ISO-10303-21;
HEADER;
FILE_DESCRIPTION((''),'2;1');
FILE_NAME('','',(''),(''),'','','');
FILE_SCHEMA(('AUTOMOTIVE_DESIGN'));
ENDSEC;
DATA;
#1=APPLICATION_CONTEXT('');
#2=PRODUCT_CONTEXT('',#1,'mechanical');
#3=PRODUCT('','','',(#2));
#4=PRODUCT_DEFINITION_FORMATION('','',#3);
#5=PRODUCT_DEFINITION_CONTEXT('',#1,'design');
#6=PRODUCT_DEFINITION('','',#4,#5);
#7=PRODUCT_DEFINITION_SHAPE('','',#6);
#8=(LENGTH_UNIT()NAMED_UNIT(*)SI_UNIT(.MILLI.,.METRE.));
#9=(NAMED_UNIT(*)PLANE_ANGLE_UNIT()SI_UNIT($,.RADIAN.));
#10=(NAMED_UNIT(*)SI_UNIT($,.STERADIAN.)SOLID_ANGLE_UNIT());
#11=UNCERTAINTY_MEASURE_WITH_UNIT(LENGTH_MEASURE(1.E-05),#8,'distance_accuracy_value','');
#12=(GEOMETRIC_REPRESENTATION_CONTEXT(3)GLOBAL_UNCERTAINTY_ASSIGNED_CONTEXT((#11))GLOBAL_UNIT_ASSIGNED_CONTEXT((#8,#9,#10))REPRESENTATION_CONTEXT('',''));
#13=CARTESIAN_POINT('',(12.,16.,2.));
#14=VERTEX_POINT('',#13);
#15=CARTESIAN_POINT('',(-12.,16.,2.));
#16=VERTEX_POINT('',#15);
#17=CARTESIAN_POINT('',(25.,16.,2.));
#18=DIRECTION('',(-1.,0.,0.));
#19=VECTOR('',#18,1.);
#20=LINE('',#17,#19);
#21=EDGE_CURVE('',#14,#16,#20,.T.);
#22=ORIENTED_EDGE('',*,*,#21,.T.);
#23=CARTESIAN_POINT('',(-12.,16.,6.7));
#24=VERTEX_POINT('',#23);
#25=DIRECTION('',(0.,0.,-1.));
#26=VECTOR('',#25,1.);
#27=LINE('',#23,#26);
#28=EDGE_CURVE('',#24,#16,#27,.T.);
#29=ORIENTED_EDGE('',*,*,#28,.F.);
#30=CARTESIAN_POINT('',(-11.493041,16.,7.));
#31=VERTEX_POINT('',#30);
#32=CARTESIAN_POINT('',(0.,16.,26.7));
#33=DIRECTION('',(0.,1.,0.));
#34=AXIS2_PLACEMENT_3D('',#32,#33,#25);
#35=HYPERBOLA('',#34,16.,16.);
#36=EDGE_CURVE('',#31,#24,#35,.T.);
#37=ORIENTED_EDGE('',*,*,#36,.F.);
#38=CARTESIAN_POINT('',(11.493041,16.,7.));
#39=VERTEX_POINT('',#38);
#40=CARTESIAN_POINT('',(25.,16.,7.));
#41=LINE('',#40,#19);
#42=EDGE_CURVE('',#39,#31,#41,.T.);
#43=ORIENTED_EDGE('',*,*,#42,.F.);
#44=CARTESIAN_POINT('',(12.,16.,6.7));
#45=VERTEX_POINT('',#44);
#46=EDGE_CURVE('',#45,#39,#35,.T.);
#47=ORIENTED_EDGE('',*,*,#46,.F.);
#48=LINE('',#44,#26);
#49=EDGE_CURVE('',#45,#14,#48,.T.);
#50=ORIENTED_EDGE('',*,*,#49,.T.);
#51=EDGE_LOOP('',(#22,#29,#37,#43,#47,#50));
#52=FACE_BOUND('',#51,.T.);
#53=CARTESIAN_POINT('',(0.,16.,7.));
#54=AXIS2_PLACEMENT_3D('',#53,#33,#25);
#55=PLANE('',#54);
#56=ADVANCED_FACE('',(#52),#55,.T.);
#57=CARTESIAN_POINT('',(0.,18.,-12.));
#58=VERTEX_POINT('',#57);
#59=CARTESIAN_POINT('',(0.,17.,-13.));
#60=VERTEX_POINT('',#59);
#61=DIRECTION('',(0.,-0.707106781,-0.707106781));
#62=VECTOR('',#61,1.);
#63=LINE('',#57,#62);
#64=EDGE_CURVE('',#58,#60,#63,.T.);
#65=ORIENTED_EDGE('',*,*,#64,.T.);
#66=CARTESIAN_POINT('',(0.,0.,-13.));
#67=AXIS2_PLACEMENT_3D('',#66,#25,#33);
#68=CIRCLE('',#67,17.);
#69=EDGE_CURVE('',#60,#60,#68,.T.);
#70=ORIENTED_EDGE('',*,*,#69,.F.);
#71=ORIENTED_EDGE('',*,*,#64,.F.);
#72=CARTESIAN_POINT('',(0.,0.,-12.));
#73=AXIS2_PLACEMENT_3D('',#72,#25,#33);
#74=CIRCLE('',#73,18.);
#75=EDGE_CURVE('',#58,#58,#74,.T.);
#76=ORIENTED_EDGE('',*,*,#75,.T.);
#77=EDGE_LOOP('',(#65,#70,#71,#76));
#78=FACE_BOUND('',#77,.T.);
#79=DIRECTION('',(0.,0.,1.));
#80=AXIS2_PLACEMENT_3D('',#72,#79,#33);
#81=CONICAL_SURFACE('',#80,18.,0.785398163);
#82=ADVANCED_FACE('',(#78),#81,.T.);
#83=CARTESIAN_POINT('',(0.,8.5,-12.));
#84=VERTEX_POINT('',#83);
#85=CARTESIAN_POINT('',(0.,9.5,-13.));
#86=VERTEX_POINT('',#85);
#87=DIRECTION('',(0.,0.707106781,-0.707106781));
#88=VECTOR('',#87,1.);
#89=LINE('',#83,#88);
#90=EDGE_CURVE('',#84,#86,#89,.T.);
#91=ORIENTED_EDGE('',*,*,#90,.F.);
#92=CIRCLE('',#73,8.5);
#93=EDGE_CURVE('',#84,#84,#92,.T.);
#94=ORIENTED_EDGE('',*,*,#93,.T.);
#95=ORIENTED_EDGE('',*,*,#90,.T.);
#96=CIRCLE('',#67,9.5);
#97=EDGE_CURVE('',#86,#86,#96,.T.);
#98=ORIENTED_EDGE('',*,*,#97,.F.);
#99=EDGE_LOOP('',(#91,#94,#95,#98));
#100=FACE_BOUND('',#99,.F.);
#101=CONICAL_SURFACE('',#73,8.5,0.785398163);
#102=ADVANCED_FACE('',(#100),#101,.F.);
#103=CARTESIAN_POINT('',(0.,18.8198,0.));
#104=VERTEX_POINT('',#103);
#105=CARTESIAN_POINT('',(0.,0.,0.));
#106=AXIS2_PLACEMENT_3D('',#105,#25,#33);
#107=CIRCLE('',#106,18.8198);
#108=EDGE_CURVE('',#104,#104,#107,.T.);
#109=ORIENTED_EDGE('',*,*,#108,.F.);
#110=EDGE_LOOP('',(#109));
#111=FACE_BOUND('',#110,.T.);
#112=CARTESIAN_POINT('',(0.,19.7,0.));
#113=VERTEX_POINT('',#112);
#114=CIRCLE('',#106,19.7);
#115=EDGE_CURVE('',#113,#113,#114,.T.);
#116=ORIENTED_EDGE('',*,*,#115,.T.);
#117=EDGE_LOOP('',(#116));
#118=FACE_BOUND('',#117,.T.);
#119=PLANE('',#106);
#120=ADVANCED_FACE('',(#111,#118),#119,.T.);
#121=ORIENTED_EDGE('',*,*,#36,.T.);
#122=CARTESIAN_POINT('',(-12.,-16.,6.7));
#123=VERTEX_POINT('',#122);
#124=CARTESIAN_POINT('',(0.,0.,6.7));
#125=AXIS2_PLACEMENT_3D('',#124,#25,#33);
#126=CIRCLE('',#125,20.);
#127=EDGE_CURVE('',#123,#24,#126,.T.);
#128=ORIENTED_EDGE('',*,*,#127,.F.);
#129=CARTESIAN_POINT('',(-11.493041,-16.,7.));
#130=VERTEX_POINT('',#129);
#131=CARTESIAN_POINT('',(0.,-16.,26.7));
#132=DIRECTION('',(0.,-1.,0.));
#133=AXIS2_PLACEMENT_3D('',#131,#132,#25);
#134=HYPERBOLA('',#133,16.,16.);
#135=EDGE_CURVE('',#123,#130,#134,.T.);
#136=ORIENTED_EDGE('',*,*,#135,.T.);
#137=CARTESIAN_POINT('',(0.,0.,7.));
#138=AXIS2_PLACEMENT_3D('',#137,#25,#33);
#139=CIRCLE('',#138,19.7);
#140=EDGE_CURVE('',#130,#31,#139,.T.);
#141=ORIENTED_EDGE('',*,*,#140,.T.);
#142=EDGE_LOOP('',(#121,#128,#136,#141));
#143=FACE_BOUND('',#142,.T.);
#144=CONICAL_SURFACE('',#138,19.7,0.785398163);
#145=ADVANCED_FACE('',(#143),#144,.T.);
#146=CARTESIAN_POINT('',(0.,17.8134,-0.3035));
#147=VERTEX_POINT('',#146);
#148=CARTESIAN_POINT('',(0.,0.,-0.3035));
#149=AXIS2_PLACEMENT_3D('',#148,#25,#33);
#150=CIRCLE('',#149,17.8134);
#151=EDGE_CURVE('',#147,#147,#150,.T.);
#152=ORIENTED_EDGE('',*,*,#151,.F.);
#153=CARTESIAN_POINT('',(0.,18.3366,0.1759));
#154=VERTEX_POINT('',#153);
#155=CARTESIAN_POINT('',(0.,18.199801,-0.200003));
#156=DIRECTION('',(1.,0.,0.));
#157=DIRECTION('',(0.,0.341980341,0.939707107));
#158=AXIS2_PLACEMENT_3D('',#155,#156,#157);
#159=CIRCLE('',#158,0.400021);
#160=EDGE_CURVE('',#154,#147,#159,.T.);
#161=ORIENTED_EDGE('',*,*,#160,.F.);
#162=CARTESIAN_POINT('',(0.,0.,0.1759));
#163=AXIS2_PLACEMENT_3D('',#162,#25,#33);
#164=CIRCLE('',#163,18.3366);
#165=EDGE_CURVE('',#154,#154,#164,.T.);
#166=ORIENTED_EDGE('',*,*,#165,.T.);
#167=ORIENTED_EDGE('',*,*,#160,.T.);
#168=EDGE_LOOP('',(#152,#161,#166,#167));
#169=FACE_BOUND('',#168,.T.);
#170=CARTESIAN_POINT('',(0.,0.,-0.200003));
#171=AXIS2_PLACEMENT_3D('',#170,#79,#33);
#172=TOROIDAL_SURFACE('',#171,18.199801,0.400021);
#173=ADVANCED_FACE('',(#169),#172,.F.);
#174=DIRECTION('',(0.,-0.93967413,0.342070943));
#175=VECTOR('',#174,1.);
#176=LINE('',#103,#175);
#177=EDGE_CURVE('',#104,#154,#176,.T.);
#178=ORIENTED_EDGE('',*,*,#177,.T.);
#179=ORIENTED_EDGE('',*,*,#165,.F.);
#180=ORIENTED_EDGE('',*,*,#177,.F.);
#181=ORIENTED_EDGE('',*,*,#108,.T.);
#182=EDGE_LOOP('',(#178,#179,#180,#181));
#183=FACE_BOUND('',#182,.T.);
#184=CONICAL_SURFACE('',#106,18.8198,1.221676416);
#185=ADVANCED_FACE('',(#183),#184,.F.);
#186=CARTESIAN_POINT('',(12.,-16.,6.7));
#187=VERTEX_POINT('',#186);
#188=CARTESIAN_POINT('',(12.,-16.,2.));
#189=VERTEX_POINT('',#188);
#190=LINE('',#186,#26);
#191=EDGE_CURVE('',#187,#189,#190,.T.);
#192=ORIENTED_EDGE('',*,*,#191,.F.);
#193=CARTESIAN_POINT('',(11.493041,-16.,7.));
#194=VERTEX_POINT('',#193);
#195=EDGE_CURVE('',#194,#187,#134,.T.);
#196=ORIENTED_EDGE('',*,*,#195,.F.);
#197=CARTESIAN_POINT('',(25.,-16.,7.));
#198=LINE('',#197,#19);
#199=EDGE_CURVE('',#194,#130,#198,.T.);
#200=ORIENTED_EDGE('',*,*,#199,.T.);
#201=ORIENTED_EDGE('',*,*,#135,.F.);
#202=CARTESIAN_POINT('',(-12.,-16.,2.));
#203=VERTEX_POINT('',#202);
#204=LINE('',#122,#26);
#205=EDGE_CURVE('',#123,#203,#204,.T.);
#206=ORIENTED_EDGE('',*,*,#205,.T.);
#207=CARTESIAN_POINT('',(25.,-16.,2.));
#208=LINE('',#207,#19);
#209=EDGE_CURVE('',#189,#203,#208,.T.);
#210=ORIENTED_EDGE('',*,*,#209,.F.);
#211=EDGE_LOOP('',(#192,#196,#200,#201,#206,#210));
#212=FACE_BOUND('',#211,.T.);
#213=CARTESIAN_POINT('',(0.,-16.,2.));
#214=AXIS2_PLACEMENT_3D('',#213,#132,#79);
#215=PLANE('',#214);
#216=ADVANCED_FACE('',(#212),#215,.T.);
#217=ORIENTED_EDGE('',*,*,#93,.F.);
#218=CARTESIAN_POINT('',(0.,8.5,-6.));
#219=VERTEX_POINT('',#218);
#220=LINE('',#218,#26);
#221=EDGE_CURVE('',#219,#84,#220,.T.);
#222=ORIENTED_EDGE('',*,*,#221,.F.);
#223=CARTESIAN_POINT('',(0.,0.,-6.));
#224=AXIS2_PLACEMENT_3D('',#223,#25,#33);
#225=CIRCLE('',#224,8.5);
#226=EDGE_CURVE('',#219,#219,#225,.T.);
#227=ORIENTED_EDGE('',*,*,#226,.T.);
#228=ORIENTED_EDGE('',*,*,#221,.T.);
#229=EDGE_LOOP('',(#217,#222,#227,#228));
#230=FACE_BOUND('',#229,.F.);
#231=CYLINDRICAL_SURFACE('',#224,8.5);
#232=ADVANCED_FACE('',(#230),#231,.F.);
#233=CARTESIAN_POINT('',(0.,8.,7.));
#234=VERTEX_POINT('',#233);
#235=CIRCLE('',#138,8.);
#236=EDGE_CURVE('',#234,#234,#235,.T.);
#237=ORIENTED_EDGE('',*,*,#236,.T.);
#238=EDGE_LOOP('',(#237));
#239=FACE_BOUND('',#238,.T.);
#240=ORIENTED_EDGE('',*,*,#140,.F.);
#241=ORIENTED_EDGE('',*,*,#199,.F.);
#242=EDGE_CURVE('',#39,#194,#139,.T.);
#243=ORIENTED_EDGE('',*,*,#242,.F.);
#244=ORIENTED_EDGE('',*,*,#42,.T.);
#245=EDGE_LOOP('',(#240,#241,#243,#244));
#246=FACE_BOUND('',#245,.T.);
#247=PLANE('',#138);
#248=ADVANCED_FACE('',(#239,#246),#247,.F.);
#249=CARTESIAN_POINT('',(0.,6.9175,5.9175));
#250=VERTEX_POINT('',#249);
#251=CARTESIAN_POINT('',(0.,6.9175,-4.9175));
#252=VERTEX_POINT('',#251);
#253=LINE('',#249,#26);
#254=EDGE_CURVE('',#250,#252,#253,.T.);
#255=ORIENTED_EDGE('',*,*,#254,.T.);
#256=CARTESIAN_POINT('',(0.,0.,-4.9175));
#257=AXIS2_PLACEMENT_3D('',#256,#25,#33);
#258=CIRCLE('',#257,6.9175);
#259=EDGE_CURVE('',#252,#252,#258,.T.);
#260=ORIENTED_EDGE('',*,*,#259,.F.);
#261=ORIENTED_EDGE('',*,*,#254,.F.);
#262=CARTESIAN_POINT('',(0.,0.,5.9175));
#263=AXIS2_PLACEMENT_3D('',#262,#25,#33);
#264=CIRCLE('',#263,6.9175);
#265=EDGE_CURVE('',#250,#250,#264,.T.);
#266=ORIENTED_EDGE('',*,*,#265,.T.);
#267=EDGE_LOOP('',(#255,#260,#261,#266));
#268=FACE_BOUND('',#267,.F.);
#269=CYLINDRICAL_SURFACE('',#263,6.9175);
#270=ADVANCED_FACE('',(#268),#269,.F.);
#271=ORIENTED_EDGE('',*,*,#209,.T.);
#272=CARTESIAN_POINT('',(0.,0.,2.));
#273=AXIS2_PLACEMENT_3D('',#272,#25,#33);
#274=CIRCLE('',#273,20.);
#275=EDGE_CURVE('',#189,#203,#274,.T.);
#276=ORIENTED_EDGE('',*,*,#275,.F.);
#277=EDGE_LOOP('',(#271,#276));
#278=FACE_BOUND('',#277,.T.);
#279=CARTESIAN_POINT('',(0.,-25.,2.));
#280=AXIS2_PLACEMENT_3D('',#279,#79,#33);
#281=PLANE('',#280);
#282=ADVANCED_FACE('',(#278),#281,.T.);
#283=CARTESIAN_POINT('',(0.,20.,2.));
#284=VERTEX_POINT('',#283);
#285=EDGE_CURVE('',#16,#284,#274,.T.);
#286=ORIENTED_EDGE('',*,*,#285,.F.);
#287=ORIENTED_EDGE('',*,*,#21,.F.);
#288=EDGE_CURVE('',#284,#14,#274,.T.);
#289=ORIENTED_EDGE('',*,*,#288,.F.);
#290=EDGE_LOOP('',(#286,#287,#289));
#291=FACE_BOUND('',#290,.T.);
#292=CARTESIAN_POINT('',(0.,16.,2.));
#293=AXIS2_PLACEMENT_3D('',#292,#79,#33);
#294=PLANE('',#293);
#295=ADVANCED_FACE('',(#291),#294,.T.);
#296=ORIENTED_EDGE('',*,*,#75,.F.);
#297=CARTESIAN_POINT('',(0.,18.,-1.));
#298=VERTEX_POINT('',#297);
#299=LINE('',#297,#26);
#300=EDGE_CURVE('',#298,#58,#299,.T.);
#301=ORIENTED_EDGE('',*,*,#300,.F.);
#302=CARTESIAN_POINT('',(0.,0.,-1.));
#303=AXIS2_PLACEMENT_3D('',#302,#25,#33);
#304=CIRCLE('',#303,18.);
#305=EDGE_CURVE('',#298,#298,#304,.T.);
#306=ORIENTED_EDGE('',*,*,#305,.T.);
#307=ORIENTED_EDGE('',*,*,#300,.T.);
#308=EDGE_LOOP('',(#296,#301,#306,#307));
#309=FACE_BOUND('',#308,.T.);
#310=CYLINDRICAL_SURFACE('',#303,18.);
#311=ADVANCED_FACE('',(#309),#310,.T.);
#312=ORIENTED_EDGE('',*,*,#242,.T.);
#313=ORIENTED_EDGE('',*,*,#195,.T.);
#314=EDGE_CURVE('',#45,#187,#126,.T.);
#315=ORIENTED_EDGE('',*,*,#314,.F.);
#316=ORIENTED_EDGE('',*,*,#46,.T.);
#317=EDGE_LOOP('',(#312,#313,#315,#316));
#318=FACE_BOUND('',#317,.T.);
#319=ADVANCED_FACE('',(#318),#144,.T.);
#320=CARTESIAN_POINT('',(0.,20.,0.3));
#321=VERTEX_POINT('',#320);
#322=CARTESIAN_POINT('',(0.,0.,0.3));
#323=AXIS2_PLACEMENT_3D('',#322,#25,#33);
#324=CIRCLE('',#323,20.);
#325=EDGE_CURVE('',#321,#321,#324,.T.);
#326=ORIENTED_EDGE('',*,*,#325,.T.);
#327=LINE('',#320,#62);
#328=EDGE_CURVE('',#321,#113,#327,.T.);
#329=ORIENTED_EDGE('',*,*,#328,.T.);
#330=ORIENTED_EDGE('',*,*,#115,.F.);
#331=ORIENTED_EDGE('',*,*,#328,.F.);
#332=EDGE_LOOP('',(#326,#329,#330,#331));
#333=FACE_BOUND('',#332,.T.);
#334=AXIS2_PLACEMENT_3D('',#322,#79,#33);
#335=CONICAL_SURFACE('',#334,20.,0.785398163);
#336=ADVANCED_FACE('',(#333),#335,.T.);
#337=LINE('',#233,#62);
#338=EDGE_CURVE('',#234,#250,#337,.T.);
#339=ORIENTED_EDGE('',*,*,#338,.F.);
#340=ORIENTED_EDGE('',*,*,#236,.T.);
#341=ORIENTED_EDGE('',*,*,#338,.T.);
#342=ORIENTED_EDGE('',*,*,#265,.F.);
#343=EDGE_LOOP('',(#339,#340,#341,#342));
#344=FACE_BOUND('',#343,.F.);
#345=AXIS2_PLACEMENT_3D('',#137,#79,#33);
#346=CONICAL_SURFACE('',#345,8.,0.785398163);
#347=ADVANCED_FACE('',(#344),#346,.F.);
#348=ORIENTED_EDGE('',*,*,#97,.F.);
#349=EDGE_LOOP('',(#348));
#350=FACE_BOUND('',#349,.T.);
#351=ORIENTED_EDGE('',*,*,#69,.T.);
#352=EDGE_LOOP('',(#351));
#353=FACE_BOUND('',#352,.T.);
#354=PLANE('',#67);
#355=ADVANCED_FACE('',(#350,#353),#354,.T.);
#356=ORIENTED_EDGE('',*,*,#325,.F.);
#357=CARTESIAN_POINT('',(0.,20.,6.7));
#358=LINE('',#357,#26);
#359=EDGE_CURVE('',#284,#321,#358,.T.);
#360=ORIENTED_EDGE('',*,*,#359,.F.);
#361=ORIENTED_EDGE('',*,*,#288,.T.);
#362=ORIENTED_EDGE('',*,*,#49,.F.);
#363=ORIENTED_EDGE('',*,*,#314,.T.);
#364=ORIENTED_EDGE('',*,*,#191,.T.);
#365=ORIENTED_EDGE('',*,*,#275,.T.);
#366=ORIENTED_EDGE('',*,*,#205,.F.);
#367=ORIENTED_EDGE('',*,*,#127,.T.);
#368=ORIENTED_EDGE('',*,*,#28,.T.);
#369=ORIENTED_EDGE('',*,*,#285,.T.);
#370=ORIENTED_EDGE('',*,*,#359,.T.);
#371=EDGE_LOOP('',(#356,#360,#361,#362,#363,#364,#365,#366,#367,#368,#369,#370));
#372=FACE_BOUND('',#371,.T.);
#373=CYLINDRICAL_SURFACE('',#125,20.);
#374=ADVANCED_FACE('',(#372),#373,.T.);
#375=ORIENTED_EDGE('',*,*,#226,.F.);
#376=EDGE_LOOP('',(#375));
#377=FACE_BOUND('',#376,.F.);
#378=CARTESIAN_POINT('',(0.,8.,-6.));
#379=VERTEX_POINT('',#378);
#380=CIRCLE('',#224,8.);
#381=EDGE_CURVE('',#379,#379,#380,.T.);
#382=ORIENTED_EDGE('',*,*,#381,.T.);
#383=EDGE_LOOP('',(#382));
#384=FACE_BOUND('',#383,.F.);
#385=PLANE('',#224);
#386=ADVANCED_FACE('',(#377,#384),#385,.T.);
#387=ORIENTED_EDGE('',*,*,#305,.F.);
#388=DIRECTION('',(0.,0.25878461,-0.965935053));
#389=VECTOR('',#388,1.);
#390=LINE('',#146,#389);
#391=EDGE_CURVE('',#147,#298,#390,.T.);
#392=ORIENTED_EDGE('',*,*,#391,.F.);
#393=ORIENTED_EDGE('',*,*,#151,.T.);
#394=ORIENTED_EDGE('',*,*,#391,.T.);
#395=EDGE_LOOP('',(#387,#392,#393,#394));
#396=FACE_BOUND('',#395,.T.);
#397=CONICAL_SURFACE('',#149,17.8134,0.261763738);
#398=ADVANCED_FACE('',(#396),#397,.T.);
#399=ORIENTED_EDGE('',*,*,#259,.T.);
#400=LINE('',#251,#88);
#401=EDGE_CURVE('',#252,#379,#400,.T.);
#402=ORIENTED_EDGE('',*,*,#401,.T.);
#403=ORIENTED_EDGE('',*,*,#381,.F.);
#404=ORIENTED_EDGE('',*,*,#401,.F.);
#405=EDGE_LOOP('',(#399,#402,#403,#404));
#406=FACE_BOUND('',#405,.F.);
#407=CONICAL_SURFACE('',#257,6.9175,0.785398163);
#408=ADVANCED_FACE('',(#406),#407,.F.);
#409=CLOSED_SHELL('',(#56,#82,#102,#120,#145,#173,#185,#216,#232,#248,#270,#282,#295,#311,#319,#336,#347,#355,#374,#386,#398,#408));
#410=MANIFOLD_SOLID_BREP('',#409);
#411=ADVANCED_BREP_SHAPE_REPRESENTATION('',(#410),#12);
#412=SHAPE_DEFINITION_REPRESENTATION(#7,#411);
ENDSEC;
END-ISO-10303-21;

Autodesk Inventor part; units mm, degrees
sketch "Sketch_3" plane through (0, 0, 0) normal (1, 0, 0) x (0, 0, -1)
  line L0 (13, 0) -> (-7, 0)
  line L1 (-7, 0) -> (-7, 19.7)
  line L2 (-7, 19.7) -> (-6.7, 20)
  line L3 (-6.7, 20) -> (-0.3, 20)
  line L4 (-0.3, 20) -> (0, 19.7)
  line L5 (0, 19.7) -> (0, 18.8198)
  line L6 (0, 18.8198) -> (-0.1759, 18.3366)
  arc A0 (-0.1759, 18.3366) -> (0.3035, 17.8134) centre (0.2, 18.1998) ccw
  line L7 (0.3035, 17.8134) -> (1, 18)
  line L8 (1, 18) -> (12, 18)
  line L9 (12, 18) -> (13, 17)
  line L10 (13, 17) -> (13, 0)
  line L11 (13, 0) -> (-7, 0)
revolve "Revolution1" add sketch "Sketch_3" angle 360 about axis through (0, 0, -13) along (0, 0, -1)
sketch "Sketch_1" plane through (0, 0, 0) normal (1, 0, 0) x (0, 0, -1)
  line L0 (13, 0) -> (-7, 0)
  line L1 (-7, 0) -> (-7, 8)
  line L2 (-7, 8) -> (-5.9175, 6.9175)
  line L3 (-5.9175, 6.9175) -> (4.9175, 6.9175)
  line L4 (4.9175, 6.9175) -> (6, 8)
  line L5 (6, 8) -> (6, 8.5)
  line L6 (6, 8.5) -> (12, 8.5)
  line L7 (12, 8.5) -> (13, 9.5)
  line L8 (13, 9.5) -> (13, 0)
  line L9 (13, 0) -> (-7, 0)
revolve "Revolution2" cut sketch "Sketch_1" angle 360 about axis through (0, 0, -13) along (0, 0, -1)
thread "Thread1" size "M16x2" class "6H" standard "ISO Metric profile" full length
sketch "Sketch_6" plane through (0, 0, 0) normal (1, 0, 0) x (0, 0, -1)
  line L0 (-12, 25) -> (-12, -25)
  line L1 (-12, -25) -> (-2, -25)
  line L2 (-2, -25) -> (-2, -16)
  line L3 (-2, -16) -> (-7, -16)
  line L4 (-7, -16) -> (-7, 16)
  line L5 (-7, 16) -> (-2, 16)
  line L6 (-2, 16) -> (-2, 25)
  line L7 (-2, 25) -> (-12, 25)
extrude "Extrusion1" cut sketch "Sketch_6" along normal mid plane 50
ref_plane "BP_POSHUB_ME_XY" through (0, 0, 7) normal (0, 0, 1) x (1, 0, 0)
ref_plane "BP_POSHUB_ME_YZ" through (0, 0, 7) normal (1, 0, 0) x (0, 1, 0)
ref_plane "BP_POSHUB_ME_ZX" through (0, 0, 7) normal (0, 1, 0) x (0, 0, 1)
ref_plane "DP401_XY" through (0, -16, 7) normal (1, 0, 0) x (0, 0, -1)
ref_plane "DP401_YZ" through (0, -16, 7) normal (0, 0, -1) x (0, 1, 0)
ref_plane "DP401_ZX" through (0, -16, 7) normal (0, 1, 0) x (1, 0, 0)
ref_plane "DPF1_XY" through (0, 20, 2) normal (1, 0, 0) x (0, 0, -1)
ref_plane "DPF1_YZ" through (0, 20, 2) normal (0, 0, -1) x (0, 1, 0)
ref_plane "DPF1_ZX" through (0, 20, 2) normal (0, 1, 0) x (1, 0, 0)
ref_plane "DPF2_XY" through (0, -20, 2) normal (1, 0, 0) x (0, 0, -1)
ref_plane "DPF2_YZ" through (0, -20, 2) normal (0, 0, -1) x (0, 1, 0)
ref_plane "DPF2_ZX" through (0, -20, 2) normal (0, 1, 0) x (1, 0, 0)
ref_plane "DPM2_XY" through (0, 16, 7) normal (1, 0, 0) x (0, 0, -1)
ref_plane "DPM2_YZ" through (0, 16, 7) normal (0, 0, -1) x (0, 1, 0)
ref_plane "DPM2_ZX" through (0, 16, 7) normal (0, 1, 0) x (1, 0, 0)
ref_plane "DPX2_XY" through (0, -16, 7) normal (1, 0, 0) x (0, 0, -1)
ref_plane "DPX2_YZ" through (0, -16, 7) normal (0, 0, -1) x (0, 1, 0)
ref_plane "DPX2_ZX" through (0, -16, 7) normal (0, 1, 0) x (1, 0, 0)
ref_plane "MUTTER_XY" through (0, 0, 7) normal (0, 0, -1) x (1, 0, 0)
ref_plane "MUTTER_YZ" through (0, 0, 7) normal (1, 0, 0) x (0, -1, 0)
ref_plane "MUTTER_ZX" through (0, 0, 7) normal (0, -1, 0) x (0, 0, -1)
ref_plane "SCHRAUBE_XY" through (0, 0, -13) normal (0, 0, 1) x (1, 0, 0)
ref_plane "SCHRAUBE_YZ" through (0, 0, -13) normal (1, 0, 0) x (0, 1, 0)
ref_plane "SCHRAUBE_ZX" through (0, 0, -13) normal (0, 1, 0) x (0, 0, 1)
ref_plane "SCHUBSTANGE_XY" through (0, 0, 0) normal (0, 0, 1) x (1, 0, 0)
ref_plane "SCHUBSTANGE_YZ" through (0, 0, 0) normal (1, 0, 0) x (0, 1, 0)
ref_plane "SCHUBSTANGE_ZX" through (0, 0, 0) normal (0, 1, 0) x (0, 0, 1)
ref_plane "STOPFEN_XY" through (0, 0, 7) normal (0, 0, -1) x (1, 0, 0)
ref_plane "STOPFEN_YZ" through (0, 0, 7) normal (1, 0, 0) x (0, -1, 0)
ref_plane "STOPFEN_ZX" through (0, 0, 7) normal (0, -1, 0) x (0, 0, -1)
properties part number "SLZ_63_Stopfen#"
